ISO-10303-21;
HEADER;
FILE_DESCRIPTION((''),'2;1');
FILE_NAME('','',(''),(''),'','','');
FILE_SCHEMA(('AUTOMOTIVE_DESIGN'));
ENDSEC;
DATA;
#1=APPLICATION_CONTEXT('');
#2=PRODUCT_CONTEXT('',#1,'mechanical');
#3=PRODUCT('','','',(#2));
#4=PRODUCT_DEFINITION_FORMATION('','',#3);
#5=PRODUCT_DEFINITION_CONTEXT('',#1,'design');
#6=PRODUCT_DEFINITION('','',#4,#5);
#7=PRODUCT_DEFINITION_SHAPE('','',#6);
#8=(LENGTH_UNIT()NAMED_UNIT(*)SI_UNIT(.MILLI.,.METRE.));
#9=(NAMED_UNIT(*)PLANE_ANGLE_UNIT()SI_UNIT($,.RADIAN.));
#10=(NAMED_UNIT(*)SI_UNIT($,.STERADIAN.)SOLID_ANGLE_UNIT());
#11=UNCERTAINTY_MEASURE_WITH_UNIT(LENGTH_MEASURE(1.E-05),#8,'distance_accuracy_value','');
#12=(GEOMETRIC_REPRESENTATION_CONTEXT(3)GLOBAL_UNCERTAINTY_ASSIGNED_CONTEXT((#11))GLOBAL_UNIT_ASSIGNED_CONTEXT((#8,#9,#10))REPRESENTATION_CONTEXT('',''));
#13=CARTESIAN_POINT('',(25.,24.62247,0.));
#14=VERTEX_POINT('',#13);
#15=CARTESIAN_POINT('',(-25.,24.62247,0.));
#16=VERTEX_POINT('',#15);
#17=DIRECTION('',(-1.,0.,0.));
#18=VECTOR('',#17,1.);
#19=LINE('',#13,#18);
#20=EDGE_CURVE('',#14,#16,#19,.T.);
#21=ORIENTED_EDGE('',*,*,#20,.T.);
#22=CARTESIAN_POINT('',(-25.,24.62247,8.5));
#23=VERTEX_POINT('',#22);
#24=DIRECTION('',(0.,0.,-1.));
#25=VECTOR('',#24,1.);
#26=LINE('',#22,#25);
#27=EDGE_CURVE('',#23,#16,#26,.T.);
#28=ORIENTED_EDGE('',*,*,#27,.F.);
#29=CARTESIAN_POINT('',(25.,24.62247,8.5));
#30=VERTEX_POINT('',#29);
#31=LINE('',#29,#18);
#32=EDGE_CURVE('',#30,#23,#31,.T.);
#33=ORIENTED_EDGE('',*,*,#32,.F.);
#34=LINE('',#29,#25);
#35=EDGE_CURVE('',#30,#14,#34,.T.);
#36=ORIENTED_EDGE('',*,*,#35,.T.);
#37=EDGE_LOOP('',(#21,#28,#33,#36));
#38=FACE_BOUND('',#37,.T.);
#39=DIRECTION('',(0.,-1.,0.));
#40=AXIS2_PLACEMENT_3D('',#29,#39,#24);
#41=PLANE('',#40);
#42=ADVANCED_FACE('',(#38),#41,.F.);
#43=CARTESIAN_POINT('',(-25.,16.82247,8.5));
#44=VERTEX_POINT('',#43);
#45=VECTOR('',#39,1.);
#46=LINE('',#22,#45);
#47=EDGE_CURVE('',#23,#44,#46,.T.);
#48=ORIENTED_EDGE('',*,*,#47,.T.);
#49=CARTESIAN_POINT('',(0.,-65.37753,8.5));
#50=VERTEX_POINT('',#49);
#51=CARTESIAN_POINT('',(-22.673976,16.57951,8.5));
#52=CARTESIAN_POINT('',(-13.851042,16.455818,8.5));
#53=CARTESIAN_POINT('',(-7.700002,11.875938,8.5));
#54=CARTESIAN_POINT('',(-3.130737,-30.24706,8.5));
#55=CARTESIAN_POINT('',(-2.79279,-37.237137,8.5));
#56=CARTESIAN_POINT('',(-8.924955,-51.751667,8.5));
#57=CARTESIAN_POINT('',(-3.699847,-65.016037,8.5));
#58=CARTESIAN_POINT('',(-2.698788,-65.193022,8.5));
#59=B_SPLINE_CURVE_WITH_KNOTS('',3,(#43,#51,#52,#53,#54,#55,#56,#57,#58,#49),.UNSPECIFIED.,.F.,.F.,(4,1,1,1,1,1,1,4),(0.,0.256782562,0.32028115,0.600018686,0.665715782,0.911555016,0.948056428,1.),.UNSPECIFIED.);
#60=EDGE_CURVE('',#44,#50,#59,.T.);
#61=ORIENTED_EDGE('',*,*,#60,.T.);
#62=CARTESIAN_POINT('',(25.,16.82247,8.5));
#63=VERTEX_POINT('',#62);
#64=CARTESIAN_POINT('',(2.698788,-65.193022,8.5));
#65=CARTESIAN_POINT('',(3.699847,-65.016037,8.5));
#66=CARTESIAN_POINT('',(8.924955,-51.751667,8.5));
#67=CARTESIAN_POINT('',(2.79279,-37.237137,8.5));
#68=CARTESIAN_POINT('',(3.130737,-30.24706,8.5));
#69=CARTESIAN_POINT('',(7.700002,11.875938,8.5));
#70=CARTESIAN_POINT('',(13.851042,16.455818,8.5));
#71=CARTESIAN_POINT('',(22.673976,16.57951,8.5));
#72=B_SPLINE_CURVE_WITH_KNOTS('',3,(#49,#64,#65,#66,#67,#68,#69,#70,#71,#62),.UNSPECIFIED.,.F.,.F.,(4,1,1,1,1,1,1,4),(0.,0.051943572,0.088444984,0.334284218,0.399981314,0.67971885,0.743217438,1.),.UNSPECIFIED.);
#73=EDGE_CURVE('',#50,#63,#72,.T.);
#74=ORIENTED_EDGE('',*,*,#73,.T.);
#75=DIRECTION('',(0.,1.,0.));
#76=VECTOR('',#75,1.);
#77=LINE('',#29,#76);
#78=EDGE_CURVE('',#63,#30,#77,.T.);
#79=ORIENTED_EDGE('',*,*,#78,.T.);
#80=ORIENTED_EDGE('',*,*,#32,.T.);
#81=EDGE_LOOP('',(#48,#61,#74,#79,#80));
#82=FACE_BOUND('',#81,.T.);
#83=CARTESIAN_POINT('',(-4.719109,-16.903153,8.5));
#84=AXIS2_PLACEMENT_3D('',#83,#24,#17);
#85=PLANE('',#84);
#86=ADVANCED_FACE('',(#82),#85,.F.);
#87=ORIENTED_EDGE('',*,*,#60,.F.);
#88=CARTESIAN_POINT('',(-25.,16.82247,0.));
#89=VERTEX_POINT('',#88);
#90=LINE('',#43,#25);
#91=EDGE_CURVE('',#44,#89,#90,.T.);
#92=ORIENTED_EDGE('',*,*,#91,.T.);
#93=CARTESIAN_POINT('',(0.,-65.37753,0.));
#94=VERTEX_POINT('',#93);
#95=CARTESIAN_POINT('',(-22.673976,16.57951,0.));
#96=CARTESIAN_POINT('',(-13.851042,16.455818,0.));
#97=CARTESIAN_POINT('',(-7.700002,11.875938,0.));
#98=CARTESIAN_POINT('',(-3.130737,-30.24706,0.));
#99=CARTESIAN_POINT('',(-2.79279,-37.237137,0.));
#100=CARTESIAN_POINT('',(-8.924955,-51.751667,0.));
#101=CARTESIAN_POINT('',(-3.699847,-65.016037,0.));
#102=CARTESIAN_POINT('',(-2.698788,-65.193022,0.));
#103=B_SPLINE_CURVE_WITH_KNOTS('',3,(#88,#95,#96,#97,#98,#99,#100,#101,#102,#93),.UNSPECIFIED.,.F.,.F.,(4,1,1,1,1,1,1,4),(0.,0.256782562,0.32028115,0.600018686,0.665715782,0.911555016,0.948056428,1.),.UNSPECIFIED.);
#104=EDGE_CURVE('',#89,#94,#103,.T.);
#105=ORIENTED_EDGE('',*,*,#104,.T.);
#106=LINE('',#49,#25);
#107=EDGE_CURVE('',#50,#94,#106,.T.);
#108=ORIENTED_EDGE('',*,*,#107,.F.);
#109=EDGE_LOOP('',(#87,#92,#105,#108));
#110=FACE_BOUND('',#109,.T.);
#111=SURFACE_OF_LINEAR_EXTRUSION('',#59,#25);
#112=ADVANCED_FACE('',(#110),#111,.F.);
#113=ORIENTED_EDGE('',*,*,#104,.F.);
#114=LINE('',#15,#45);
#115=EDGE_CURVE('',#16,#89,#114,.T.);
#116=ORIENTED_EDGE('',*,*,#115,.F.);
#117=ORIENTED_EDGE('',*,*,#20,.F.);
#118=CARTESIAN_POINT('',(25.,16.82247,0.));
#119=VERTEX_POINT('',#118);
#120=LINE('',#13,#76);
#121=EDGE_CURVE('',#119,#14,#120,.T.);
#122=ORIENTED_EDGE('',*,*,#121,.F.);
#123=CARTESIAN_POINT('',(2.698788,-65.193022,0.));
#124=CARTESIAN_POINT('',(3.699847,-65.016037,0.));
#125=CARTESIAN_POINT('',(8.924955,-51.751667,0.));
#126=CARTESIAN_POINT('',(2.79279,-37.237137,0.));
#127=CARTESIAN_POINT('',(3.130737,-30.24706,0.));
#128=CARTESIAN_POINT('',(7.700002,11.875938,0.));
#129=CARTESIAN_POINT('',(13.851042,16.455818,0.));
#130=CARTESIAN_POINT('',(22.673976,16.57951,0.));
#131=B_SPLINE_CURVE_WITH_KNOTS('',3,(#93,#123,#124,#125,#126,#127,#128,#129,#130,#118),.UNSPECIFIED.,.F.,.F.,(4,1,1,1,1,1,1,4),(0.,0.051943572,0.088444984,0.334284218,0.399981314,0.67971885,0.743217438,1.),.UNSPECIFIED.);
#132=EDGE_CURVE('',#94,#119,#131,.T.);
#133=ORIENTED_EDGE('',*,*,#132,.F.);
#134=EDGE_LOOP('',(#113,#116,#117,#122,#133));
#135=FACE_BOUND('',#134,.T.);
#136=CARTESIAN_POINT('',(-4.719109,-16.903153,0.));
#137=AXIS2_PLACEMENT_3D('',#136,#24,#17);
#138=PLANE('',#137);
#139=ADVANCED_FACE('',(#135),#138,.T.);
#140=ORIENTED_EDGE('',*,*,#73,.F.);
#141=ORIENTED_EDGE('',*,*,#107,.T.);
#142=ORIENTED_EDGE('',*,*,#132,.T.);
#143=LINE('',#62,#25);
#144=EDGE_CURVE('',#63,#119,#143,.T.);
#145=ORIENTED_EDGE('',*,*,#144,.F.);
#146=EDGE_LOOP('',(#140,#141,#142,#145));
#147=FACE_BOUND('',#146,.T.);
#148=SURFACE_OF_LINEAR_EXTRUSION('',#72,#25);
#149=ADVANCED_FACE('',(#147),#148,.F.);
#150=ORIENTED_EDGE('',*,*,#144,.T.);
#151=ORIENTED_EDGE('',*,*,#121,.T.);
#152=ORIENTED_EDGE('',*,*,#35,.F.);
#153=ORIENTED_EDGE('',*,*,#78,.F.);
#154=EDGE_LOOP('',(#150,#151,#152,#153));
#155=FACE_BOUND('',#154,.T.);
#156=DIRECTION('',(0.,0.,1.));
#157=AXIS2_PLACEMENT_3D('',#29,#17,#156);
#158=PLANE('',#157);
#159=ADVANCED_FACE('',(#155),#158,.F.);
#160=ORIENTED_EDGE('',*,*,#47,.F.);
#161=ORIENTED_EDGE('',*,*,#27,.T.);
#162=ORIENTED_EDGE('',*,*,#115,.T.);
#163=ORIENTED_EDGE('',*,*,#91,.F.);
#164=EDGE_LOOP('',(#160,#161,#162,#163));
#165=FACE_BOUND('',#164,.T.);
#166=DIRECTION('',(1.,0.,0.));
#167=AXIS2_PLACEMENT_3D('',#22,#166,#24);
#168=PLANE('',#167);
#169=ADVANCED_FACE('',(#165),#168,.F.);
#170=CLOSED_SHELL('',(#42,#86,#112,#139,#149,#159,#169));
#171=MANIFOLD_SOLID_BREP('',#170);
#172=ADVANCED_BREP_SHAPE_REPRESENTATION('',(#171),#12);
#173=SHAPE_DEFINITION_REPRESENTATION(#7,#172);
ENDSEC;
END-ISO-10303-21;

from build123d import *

# Parameters (mm, degrees)
BOSS_EXTRU_1_DEPTH = 8.5


with BuildPart() as part:
    # Esquisse1 → Boss.-Extru.1 (new body)
    with BuildSketch(Plane.XY):
        with BuildLine():
            Line((25, 24.622469849), (-25, 24.622469849))
            Line((-25, 24.622469849), (-25, 16.822469849))
            add(Edge.make_bspline(
                [(-25, 16.822469849), (-22.673975673, 16.579509698), (-13.8510419, 16.455818156), (-7.700002429, 11.875938279), (-3.130737324, -30.247059988), (-2.792789918, -37.237137101), (-8.924955183, -51.751667059), (-3.699846836, -65.01603726), (-2.698788395, -65.193021916), (0, -65.377530151)],
                knots=[0, 0, 0, 0, 0.256782562, 0.32028115, 0.600018686, 0.665715782, 0.911555016, 0.948056428, 1, 1, 1, 1], degree=3))
            add(Edge.make_bspline(
                [(25, 16.822469849), (22.673975673, 16.579509698), (13.8510419, 16.455818156), (7.700002429, 11.875938279), (3.130737324, -30.247059988), (2.792789918, -37.237137101), (8.924955183, -51.751667059), (3.699846836, -65.01603726), (2.698788395, -65.193021916), (0, -65.377530151)],
                knots=[0, 0, 0, 0, 0.256782562, 0.32028115, 0.600018686, 0.665715782, 0.911555016, 0.948056428, 1, 1, 1, 1], degree=3))
            Line((25, 16.822469849), (25, 24.622469849))
        make_face()
    extrude(amount=BOSS_EXTRU_1_DEPTH)


solid = part.part
